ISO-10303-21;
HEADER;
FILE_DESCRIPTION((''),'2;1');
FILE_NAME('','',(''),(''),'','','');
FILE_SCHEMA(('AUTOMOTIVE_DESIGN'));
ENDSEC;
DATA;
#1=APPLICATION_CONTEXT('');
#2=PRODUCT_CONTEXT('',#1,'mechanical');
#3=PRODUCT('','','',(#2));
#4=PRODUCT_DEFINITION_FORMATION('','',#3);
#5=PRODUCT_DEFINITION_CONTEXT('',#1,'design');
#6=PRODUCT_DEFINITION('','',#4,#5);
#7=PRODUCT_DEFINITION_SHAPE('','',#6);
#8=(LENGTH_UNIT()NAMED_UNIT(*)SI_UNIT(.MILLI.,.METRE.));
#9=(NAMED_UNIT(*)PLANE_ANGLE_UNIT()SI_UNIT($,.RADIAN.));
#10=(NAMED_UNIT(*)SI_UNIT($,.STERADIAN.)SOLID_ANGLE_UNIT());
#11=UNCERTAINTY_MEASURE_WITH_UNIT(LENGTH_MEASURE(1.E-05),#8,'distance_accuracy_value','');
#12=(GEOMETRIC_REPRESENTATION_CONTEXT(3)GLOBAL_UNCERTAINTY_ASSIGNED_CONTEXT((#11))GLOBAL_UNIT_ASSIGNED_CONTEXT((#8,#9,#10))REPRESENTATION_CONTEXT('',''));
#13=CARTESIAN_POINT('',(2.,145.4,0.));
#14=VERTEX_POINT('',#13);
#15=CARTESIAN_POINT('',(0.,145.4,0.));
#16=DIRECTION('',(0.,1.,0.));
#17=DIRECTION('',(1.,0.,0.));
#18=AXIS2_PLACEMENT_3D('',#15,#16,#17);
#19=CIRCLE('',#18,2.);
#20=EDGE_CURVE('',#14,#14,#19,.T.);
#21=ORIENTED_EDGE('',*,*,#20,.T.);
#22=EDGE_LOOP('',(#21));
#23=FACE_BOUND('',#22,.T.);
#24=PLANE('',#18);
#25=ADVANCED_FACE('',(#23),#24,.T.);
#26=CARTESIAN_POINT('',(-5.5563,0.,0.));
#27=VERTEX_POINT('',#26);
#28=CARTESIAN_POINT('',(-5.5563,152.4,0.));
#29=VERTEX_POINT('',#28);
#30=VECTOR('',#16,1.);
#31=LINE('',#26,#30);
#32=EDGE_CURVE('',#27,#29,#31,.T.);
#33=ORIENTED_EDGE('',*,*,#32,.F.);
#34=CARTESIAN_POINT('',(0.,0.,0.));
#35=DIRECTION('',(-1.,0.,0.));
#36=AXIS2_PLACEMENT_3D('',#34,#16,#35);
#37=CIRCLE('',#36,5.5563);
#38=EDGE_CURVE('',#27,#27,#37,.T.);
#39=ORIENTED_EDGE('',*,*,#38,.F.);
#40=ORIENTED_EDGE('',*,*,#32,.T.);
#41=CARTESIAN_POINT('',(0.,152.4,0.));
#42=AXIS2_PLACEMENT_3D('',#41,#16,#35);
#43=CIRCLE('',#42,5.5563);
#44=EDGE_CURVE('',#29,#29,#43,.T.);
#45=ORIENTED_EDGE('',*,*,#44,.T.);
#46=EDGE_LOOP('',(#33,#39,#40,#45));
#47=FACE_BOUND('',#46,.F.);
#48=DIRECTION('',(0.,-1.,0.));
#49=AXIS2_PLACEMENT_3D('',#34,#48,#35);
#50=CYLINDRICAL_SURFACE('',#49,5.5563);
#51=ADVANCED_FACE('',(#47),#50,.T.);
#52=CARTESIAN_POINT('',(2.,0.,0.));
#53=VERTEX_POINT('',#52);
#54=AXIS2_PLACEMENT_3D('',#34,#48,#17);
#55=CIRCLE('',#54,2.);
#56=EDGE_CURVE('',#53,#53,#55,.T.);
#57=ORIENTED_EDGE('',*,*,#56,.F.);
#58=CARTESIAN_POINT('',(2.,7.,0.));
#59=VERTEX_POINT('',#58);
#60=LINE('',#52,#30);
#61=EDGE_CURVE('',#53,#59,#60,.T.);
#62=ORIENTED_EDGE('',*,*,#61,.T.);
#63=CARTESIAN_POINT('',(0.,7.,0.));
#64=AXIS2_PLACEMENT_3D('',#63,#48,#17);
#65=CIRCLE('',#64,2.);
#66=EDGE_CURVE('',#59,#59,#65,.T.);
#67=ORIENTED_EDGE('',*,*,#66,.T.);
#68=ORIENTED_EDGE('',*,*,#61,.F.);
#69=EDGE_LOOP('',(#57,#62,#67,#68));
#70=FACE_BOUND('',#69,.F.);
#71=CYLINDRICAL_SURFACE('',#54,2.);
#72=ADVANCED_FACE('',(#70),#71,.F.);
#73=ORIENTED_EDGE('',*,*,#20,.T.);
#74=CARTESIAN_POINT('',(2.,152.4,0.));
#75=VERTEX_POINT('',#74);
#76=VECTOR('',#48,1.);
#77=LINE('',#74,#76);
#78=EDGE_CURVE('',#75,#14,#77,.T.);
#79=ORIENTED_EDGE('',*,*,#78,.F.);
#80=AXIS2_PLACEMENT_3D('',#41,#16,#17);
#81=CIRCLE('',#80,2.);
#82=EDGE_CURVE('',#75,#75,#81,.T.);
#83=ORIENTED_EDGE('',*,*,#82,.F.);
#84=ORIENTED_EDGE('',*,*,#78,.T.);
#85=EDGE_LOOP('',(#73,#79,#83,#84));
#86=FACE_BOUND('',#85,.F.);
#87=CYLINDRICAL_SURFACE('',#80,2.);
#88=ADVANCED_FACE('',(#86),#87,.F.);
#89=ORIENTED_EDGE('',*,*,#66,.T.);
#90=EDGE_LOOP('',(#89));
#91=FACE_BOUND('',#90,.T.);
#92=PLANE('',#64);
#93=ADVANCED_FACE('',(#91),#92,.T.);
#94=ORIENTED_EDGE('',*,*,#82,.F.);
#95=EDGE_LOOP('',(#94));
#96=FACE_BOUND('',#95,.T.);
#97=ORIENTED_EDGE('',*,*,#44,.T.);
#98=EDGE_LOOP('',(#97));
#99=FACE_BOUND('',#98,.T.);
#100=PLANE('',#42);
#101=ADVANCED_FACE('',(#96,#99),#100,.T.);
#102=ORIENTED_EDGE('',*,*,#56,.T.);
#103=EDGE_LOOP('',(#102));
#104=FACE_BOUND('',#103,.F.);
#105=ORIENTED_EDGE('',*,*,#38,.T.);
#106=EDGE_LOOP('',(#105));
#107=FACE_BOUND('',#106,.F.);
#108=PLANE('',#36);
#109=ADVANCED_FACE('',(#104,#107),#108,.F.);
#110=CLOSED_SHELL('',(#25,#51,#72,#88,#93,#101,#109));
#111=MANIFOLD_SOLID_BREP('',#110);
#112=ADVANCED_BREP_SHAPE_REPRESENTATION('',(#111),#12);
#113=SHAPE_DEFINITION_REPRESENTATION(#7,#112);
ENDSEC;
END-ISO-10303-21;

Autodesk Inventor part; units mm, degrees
ref_plane "YZ Plane" through (0, 0, 0) normal (1, 0, 0) x (0, 1, 0)
ref_plane "XZ Plane" through (0, 0, 0) normal (0, 1, 0) x (-1, 0, 0)
ref_plane "XY Plane" through (0, 0, 0) normal (0, 0, 1) x (1, 0, 0)
sketch "Sketch1" plane through (0, 0, 0) normal (0, 1, 0) x (-1, 0, 0)
  circle A0 centre (0, 0) radius 5.5563
  dimension "d0" = 11.1125
extrude "Extrusion1" add sketch "Sketch1" along normal blind 152.4
sketch "Sketch2" plane through (0, 152.4, 0) normal (0, 1, 0) x (1, 0, 0)
  circle A0 centre (0, 0) radius 2
  dimension "d3" = 4
extrude "Extrusion2" cut sketch "Sketch2" against normal blind 7
sketch "Sketch3" plane through (0, 0, 0) normal (0, -1, 0) x (1, 0, 0)
  circle A0 centre (0, 0) radius 2
  dimension "d6" = 4
extrude "Extrusion3" cut sketch "Sketch3" against normal blind 7
equation "\"d3\" = m3_heat_set_insert"
equation "\"d4\" = m3_heat_set_depth"
equation "\"d6\" = m3_heat_set_insert"
equation "\"d7\" = m3_heat_set_depth"
equation "\"m3_heat_set_insert\" = 4"
equation "\"m3_clearance\" = 3.4"
equation "\"m3_heat_set_depth\" = 7"
equation "\"robot_diameter\" = 354"
equation "\"hardboard_thickness\" = 5"
equation "\"motor_centerline_height\" = 13"
properties part number "6inch_standoff"
